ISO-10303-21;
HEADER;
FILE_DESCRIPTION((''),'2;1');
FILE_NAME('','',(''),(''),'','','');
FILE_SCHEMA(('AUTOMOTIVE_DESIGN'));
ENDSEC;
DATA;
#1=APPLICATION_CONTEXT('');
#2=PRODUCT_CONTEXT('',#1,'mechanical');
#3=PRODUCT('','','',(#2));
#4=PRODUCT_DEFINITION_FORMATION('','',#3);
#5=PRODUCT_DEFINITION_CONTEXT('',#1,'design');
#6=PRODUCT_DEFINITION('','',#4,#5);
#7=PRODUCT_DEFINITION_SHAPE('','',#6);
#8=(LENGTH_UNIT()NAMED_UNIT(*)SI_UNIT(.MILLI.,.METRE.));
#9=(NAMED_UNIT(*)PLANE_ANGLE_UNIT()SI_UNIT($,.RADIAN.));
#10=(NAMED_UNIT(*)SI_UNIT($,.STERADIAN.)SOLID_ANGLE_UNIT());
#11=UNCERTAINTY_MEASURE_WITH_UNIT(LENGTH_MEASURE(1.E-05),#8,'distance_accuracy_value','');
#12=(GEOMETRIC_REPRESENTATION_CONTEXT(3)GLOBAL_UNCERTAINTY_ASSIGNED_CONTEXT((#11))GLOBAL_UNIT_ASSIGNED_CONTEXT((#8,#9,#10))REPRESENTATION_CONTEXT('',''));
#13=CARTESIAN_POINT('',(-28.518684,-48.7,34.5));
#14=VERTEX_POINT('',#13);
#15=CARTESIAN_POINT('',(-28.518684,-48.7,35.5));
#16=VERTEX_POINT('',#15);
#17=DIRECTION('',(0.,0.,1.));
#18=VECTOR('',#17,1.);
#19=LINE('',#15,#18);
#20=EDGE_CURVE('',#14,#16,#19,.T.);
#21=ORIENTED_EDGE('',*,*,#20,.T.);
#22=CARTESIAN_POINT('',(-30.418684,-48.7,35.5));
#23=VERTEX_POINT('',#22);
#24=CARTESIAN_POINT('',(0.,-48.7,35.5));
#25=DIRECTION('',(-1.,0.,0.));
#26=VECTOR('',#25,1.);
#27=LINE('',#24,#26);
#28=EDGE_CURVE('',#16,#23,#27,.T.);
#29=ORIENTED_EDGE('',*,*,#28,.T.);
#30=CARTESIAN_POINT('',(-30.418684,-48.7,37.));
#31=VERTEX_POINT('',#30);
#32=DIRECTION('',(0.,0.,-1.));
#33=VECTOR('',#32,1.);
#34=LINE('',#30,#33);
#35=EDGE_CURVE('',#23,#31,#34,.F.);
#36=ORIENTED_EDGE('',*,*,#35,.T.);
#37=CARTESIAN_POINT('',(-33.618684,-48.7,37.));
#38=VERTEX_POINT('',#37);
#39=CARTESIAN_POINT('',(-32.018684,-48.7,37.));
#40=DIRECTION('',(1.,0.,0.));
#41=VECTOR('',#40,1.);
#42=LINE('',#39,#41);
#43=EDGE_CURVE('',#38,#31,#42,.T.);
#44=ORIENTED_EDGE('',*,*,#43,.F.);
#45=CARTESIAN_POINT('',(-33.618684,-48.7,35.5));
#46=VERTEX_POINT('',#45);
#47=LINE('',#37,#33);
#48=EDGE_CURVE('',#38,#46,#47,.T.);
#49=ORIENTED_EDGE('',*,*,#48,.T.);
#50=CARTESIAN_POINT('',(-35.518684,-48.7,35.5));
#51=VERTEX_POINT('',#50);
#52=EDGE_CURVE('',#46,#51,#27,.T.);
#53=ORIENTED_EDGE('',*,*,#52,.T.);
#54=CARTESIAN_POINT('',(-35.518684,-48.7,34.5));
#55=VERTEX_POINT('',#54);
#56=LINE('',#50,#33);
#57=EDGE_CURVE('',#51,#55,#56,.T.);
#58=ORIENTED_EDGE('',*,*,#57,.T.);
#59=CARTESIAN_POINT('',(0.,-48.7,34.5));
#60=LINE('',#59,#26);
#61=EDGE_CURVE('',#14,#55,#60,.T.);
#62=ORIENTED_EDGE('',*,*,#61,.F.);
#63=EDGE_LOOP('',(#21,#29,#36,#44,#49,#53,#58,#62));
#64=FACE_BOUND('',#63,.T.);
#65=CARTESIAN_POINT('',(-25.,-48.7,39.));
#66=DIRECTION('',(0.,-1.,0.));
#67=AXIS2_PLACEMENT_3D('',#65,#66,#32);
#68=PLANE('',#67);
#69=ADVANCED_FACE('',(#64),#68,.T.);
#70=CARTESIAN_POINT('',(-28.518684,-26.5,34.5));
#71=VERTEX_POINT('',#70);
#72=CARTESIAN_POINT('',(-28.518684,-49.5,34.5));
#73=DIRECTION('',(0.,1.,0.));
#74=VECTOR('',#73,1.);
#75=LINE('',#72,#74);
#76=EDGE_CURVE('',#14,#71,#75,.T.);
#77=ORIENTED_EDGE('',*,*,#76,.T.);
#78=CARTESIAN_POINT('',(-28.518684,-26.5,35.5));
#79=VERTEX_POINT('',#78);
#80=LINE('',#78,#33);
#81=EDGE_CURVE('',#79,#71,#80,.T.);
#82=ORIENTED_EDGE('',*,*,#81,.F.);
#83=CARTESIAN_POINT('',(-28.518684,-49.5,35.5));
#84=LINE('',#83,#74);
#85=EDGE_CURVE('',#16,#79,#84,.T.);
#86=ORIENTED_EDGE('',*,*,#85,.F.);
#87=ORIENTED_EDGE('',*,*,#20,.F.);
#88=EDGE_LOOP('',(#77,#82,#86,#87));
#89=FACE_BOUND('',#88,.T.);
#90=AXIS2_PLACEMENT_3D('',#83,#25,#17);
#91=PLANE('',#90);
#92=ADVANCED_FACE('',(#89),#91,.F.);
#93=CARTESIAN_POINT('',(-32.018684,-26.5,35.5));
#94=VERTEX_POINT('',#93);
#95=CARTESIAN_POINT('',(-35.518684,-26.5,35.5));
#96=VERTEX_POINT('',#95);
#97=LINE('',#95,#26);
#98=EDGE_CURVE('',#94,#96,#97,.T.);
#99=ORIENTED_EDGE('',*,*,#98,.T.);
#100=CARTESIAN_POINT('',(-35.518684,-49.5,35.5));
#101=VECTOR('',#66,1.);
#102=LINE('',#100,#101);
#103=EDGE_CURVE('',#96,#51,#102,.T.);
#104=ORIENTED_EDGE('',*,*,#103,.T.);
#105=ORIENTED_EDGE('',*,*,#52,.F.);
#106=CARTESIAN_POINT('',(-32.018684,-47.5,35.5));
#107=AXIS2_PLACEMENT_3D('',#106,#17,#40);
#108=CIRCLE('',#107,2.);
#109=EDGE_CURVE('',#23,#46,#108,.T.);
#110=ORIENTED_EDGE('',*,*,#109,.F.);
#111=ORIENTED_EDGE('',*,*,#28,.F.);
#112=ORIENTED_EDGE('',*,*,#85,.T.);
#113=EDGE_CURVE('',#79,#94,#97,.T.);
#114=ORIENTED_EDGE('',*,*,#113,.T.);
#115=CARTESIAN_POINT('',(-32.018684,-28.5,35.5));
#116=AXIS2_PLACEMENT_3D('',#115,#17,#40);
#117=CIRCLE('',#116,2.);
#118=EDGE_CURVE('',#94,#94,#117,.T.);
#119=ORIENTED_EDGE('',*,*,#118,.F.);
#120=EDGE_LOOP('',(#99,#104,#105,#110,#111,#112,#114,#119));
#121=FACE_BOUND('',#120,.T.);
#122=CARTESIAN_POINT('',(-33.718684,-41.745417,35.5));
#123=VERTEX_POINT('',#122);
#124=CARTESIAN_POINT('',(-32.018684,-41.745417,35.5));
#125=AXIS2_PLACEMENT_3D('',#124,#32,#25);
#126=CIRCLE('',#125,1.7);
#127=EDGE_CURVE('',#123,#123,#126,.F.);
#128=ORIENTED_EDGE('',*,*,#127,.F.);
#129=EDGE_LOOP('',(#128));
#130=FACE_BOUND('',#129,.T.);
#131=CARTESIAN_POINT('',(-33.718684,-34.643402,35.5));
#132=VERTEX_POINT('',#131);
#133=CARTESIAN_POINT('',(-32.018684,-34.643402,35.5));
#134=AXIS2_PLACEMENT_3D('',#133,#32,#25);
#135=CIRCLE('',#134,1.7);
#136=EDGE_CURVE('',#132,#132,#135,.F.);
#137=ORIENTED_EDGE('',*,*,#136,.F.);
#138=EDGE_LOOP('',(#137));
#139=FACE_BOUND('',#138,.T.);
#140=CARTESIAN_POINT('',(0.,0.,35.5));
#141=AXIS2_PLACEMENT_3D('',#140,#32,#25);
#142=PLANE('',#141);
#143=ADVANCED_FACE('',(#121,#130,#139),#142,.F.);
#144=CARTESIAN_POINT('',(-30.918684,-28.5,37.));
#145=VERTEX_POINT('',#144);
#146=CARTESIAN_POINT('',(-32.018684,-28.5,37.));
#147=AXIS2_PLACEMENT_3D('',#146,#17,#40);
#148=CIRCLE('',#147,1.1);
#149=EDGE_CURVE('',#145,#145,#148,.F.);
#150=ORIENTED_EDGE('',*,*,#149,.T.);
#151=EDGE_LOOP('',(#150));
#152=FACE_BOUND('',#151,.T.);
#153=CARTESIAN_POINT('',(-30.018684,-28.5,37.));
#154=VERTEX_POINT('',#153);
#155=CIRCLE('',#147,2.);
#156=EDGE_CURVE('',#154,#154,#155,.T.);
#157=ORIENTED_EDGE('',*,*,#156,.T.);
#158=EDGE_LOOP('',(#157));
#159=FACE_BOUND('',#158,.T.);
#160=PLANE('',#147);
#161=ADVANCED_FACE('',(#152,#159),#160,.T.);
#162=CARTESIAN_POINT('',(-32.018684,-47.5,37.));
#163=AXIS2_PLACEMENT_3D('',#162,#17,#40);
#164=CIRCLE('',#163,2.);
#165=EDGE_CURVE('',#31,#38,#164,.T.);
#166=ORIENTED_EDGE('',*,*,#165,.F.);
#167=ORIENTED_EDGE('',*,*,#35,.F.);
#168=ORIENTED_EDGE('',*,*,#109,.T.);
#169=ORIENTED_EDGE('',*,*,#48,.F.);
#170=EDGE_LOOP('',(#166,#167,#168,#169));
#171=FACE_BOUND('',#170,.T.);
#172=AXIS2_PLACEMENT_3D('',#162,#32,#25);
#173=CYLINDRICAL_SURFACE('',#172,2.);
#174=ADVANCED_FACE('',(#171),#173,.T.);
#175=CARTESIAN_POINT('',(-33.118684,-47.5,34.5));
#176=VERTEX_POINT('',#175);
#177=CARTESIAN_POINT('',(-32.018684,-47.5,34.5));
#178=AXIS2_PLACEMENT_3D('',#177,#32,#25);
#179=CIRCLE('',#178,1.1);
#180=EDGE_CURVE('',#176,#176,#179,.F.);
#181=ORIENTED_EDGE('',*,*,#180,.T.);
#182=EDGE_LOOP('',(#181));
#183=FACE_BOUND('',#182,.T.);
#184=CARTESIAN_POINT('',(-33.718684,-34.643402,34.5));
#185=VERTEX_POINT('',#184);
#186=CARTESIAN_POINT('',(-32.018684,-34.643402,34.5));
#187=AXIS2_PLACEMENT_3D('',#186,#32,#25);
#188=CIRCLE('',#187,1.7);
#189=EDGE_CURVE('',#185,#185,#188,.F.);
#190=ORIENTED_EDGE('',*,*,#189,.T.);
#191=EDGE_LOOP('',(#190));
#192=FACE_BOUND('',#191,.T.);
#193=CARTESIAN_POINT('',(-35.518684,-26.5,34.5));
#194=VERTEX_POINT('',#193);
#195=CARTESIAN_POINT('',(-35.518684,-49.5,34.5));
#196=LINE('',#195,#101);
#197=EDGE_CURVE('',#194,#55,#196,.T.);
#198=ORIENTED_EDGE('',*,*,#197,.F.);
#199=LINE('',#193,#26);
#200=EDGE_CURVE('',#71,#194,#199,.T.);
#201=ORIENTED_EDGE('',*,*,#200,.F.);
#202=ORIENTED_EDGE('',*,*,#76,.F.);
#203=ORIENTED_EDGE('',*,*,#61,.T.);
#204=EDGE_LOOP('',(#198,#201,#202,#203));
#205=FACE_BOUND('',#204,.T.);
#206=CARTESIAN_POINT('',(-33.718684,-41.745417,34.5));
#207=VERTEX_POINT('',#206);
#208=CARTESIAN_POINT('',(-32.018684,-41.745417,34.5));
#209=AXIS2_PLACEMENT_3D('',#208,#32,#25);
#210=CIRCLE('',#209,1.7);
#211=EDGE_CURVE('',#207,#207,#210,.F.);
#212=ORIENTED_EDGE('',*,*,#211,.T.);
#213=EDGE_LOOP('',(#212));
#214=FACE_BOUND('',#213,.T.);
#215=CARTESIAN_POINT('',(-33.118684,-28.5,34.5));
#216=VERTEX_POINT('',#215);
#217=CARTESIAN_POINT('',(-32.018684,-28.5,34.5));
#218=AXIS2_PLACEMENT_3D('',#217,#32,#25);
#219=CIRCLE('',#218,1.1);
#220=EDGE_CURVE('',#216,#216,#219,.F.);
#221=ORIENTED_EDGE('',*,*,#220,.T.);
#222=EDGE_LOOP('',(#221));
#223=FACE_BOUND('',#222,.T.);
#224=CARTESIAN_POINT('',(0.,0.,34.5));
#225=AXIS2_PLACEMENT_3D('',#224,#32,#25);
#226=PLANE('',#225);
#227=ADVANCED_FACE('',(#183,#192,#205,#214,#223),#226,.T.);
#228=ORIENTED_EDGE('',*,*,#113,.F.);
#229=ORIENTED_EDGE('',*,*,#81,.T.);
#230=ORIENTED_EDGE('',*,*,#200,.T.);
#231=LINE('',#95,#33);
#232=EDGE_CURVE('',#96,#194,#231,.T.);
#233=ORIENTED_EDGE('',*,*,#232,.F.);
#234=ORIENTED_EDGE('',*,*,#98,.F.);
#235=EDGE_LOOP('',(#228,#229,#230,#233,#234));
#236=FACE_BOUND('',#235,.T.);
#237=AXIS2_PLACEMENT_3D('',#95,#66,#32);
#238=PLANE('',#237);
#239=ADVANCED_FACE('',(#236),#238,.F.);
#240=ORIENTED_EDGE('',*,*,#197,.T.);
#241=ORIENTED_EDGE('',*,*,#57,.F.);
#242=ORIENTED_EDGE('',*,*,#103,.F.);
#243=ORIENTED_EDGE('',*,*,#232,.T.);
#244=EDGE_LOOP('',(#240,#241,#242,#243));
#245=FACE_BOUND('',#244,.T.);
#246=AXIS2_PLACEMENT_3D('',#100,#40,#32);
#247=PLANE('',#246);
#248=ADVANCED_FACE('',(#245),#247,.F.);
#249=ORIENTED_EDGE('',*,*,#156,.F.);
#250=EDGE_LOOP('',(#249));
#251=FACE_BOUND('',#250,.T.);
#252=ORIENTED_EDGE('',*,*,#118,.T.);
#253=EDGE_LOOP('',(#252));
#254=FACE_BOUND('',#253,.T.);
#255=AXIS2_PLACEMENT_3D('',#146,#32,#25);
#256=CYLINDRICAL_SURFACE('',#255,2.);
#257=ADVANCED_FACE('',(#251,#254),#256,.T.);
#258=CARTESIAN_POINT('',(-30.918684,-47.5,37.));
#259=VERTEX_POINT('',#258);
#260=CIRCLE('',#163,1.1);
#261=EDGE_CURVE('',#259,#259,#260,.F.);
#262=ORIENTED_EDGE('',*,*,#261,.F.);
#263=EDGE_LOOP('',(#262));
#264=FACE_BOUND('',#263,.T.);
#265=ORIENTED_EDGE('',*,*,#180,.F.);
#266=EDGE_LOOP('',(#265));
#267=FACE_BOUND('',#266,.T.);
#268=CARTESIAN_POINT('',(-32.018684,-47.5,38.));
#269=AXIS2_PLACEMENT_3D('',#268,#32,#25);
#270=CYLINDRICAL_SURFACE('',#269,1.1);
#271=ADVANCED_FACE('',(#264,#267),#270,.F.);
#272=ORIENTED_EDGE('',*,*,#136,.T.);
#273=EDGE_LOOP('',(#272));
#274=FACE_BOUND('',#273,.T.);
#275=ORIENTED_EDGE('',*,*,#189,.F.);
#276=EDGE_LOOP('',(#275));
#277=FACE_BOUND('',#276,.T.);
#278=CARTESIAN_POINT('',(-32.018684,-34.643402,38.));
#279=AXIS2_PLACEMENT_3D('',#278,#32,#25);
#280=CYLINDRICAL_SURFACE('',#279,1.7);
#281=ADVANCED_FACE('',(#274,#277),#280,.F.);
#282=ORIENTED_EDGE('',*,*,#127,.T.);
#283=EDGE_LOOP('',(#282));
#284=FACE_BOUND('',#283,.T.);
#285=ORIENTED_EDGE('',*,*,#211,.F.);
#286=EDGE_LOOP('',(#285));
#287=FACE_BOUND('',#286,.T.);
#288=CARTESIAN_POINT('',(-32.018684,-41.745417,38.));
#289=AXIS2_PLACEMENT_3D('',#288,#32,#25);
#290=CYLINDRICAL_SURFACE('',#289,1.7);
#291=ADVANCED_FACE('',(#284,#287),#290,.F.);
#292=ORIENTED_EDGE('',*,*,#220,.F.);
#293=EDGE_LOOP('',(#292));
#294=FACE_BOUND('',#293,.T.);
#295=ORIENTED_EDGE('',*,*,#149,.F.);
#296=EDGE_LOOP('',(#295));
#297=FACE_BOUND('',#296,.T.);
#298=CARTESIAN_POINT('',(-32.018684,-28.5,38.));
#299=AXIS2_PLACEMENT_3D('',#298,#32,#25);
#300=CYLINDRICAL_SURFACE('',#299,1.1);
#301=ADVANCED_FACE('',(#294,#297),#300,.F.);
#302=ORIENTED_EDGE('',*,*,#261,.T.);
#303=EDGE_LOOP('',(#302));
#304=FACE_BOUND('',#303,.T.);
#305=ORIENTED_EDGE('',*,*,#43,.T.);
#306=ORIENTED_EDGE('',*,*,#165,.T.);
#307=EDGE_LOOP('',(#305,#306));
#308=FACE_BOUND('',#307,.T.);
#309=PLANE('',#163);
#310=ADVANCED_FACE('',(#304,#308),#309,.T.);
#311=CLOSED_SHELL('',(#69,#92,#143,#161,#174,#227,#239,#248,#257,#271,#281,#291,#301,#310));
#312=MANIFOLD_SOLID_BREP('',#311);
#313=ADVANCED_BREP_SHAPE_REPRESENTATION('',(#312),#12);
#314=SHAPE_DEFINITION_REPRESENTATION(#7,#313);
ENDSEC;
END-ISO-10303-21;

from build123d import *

# Parameters (mm, degrees)
RETAINER_PLATE_START            = 34.5
SKETCH1_W                       = 7
SKETCH1_H                       = 23
RETAINER_PLATE_DEPTH            = 1
RETAINER_MOUNTING_SPACERS_START = 35.5
SKETCH2_R                       = 2
RETAINER_MOUNTING_SPACERS_DEPTH = 1.5
RETAINER_CLEARANCE_HOLES_START  = 34
SKETCH3_R                       = 1.7
SKETCH3_R_2                     = 1.1
RETAINER_CLEARANCE_HOLES_DEPTH  = 4
CLEAR_END_WALL_START            = 33
SKETCH4_W                       = 15
SKETCH4_H                       = 6.3
CLEAR_END_WALL_DEPTH            = 6


with BuildPart() as part:
    # Sketch1 → Retainer_plate (new body)
    with BuildSketch(Plane.XY.offset(RETAINER_PLATE_START)):
        with Locations((-32.018684277, -38)):
            Rectangle(SKETCH1_W, SKETCH1_H)
    extrude(amount=RETAINER_PLATE_DEPTH)

    # Sketch2 → Retainer_mounting_spacers (add)
    with BuildSketch(Plane.XY.offset(RETAINER_MOUNTING_SPACERS_START)):
        with Locations(Location((-32.018684277, -47.5, 0), (0, 0, 270))):
            Circle(SKETCH2_R)
        with Locations(Location((-32.018684277, -28.5, 0), (0, 0, 90))):
            Circle(SKETCH2_R)
    extrude(amount=RETAINER_MOUNTING_SPACERS_DEPTH)

    # Sketch3 → Retainer_clearance_holes (cut)
    with BuildSketch(Plane.XY.offset(RETAINER_CLEARANCE_HOLES_START)):
        with Locations(Location((-32.018684277, -41.745416557, 0), (0, 0, 180))):
            Circle(SKETCH3_R)
        with Locations(Location((-32.018684277, -34.643402341, 0), (0, 0, 180))):
            Circle(SKETCH3_R)
        with Locations(Location((-32.018684277, -47.5, 0), (0, 0, 180))):
            Circle(SKETCH3_R_2)
        with Locations(Location((-32.018684277, -28.5, 0), (0, 0, 180))):
            Circle(SKETCH3_R_2)
    extrude(amount=RETAINER_CLEARANCE_HOLES_DEPTH, mode=Mode.SUBTRACT)

    # Sketch4 → Clear_end_wall (cut)
    with BuildSketch(Plane.XY.offset(CLEAR_END_WALL_START)):
        with Locations((-32.5, -51.85)):
            Rectangle(SKETCH4_W, SKETCH4_H)
    extrude(amount=CLEAR_END_WALL_DEPTH, mode=Mode.SUBTRACT)


solid = part.part
